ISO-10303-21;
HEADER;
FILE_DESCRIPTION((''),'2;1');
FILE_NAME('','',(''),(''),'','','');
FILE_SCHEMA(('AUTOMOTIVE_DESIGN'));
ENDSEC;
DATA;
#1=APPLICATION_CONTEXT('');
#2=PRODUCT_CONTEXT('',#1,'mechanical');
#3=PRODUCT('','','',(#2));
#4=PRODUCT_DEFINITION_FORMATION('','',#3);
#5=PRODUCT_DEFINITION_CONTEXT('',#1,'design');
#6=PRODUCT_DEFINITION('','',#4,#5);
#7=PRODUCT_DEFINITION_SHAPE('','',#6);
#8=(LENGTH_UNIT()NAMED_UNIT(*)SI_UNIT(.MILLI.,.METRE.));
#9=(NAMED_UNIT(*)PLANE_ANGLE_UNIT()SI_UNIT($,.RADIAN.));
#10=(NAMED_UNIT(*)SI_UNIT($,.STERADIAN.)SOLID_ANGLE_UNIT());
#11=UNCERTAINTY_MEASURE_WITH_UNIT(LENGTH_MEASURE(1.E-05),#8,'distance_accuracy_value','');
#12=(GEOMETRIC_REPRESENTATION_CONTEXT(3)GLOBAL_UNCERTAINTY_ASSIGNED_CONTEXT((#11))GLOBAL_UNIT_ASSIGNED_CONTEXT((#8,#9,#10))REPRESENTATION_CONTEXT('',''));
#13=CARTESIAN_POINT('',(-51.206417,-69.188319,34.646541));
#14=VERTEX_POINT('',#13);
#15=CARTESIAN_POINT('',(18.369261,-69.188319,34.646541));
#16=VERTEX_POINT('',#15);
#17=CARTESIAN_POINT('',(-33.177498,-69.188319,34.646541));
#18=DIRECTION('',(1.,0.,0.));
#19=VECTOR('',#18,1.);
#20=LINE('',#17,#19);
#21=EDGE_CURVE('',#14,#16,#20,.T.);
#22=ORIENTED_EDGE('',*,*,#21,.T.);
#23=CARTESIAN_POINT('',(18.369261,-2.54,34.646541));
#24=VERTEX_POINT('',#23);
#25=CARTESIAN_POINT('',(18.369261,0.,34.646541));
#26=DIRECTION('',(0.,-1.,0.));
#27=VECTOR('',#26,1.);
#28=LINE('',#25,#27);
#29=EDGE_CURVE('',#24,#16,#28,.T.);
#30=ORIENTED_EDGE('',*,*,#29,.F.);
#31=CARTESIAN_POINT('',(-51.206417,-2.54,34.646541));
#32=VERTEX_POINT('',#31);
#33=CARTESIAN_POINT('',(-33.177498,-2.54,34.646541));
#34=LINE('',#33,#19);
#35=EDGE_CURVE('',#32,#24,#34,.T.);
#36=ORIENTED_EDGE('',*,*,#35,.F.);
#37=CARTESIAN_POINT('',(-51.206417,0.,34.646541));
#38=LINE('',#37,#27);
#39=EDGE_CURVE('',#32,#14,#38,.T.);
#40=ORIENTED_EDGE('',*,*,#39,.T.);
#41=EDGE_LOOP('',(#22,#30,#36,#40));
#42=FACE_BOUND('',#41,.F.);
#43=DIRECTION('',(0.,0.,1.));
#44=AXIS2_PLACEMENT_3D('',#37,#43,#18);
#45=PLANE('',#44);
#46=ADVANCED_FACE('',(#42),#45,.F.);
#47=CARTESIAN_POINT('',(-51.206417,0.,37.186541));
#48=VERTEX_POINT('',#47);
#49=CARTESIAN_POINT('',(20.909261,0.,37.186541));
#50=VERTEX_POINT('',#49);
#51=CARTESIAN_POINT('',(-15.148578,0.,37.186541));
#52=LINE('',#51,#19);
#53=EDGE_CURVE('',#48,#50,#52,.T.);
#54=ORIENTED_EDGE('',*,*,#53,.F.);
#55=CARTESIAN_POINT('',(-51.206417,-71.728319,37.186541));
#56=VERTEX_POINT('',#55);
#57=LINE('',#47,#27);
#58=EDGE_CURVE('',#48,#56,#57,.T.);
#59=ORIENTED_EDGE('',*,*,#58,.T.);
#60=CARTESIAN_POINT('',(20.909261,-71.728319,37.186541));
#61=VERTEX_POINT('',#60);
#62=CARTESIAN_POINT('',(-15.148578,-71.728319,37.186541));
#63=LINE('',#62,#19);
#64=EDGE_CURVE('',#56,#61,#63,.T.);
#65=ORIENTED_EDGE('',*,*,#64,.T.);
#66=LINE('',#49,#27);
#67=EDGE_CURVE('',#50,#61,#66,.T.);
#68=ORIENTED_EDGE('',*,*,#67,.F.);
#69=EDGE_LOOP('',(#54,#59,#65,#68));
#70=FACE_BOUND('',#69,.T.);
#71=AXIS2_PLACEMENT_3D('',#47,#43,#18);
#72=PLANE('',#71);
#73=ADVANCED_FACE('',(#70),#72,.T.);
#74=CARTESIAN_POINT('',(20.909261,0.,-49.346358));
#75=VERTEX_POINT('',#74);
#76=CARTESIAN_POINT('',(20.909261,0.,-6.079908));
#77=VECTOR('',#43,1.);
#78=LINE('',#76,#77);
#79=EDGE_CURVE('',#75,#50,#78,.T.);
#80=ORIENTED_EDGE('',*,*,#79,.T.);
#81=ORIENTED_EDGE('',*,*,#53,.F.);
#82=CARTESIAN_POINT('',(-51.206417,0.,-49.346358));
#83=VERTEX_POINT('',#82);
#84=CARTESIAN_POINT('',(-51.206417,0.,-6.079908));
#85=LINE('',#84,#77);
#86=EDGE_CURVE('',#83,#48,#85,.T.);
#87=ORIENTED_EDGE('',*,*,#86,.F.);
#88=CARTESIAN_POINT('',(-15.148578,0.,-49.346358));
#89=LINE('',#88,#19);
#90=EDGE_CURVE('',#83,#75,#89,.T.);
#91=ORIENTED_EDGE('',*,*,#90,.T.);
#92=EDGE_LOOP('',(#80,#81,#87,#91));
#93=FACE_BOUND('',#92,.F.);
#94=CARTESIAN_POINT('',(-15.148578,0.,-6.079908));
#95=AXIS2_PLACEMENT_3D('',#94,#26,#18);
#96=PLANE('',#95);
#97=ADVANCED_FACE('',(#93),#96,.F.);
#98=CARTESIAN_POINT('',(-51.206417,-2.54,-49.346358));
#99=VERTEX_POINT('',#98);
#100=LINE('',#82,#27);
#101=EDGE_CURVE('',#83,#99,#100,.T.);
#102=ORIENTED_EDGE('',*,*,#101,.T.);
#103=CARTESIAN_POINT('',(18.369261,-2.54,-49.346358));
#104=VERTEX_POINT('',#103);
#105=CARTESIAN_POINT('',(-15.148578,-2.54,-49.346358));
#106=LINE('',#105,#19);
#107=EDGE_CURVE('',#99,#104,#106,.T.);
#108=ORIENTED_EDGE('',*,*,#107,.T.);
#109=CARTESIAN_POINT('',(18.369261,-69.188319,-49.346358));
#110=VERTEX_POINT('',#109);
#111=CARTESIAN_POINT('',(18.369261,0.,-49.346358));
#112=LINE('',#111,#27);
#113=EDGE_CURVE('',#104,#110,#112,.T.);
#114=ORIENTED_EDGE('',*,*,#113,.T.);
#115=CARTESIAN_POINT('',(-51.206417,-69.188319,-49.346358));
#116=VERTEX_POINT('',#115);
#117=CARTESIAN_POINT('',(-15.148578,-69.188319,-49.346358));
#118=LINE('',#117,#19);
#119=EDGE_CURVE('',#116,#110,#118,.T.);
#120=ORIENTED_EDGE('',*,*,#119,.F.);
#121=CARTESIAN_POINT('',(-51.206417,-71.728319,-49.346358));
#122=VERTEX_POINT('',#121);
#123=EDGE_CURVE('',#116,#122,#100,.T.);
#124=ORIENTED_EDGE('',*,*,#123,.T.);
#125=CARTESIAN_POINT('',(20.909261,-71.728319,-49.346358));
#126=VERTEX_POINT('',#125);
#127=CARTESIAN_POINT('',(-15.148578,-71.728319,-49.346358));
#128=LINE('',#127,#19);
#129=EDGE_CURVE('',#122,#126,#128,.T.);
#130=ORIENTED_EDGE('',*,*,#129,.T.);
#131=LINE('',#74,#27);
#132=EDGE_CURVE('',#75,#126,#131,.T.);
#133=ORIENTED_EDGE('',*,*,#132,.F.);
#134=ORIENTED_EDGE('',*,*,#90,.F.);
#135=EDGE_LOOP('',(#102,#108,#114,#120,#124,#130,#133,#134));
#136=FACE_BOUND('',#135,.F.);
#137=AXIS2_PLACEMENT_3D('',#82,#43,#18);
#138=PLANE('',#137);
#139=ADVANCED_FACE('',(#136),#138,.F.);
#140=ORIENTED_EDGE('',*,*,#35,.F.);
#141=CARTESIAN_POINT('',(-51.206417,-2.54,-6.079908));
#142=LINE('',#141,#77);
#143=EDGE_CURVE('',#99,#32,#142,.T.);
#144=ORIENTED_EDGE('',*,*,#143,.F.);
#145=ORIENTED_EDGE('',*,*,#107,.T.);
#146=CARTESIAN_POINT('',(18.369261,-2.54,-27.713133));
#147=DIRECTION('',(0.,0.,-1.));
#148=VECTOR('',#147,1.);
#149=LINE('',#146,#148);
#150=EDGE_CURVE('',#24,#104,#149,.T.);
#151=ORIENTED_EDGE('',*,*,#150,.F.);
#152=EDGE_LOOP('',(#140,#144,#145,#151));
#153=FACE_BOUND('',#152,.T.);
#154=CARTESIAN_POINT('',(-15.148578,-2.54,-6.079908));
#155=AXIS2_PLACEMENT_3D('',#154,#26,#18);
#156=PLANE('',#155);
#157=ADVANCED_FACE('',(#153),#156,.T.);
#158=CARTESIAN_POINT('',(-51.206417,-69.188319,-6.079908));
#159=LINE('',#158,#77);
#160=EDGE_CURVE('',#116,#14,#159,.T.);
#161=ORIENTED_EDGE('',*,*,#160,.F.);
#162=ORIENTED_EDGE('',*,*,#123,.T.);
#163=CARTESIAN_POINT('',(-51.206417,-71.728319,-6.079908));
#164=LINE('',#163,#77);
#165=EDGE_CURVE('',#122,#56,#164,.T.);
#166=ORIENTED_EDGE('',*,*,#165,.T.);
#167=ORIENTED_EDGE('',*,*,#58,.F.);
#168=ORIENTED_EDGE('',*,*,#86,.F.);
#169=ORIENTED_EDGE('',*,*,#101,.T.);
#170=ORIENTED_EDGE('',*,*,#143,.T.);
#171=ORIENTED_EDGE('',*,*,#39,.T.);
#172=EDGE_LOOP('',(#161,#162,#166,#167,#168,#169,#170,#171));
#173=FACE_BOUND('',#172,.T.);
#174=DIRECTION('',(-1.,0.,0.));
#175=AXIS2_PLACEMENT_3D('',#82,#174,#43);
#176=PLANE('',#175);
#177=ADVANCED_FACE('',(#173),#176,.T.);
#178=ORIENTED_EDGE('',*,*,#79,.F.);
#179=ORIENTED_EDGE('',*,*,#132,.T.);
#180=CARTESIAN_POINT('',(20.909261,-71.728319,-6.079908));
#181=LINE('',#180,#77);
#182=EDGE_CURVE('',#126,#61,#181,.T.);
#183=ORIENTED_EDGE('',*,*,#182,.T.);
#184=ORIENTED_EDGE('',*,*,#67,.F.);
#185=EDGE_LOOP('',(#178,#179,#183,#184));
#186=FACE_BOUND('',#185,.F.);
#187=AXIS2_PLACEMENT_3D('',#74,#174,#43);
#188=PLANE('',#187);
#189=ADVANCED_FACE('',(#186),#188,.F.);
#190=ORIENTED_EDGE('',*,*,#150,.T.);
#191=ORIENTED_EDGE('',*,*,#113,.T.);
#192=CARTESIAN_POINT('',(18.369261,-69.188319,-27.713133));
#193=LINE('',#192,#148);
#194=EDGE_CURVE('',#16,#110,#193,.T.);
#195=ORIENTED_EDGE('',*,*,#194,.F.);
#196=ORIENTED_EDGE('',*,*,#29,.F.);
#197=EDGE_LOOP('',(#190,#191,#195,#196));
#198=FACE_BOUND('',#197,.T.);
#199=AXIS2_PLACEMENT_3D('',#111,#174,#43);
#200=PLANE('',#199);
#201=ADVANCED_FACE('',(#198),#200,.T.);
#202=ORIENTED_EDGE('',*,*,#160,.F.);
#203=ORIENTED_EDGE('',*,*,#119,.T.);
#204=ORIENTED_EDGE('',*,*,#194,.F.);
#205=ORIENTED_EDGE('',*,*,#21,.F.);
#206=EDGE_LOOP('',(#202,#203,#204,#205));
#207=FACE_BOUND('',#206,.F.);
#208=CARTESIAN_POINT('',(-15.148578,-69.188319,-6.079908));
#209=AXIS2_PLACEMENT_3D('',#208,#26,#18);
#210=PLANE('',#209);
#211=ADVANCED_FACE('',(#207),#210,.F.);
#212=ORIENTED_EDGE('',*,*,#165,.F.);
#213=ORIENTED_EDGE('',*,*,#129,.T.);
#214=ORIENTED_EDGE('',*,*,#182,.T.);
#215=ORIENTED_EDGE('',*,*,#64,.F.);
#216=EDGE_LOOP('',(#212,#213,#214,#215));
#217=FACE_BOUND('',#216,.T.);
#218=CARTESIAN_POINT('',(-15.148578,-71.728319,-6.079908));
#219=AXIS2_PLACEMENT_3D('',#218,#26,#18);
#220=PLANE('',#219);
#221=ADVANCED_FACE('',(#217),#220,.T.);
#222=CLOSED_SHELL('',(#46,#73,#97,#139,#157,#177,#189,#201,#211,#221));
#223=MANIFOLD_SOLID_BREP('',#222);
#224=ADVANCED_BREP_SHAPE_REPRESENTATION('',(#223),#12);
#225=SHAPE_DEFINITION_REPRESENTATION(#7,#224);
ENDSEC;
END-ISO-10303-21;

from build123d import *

# Parameters (mm, degrees)
F0_W     = 72.115678
F0_H     = 86.532899
F1_DEPTH = 71.728319
F2_T     = -2.54


with BuildPart() as f1:
    # F0 (on Front) → F1 (new body)
    with BuildSketch(Plane.XZ):
        with Locations((-15.148578, -6.079908)):
            Rectangle(F0_W, F0_H)
    extrude(amount=F1_DEPTH)

    # F2
    f2_openings = [f1.faces().sort_by_distance(p)[0] for p in [
        (-15.148578, -35.864159, -49.346358),
        (-51.206417, -35.864159, -6.079908),
    ]]
    offset(amount=F2_T, openings=f2_openings)


solid = f1.part
